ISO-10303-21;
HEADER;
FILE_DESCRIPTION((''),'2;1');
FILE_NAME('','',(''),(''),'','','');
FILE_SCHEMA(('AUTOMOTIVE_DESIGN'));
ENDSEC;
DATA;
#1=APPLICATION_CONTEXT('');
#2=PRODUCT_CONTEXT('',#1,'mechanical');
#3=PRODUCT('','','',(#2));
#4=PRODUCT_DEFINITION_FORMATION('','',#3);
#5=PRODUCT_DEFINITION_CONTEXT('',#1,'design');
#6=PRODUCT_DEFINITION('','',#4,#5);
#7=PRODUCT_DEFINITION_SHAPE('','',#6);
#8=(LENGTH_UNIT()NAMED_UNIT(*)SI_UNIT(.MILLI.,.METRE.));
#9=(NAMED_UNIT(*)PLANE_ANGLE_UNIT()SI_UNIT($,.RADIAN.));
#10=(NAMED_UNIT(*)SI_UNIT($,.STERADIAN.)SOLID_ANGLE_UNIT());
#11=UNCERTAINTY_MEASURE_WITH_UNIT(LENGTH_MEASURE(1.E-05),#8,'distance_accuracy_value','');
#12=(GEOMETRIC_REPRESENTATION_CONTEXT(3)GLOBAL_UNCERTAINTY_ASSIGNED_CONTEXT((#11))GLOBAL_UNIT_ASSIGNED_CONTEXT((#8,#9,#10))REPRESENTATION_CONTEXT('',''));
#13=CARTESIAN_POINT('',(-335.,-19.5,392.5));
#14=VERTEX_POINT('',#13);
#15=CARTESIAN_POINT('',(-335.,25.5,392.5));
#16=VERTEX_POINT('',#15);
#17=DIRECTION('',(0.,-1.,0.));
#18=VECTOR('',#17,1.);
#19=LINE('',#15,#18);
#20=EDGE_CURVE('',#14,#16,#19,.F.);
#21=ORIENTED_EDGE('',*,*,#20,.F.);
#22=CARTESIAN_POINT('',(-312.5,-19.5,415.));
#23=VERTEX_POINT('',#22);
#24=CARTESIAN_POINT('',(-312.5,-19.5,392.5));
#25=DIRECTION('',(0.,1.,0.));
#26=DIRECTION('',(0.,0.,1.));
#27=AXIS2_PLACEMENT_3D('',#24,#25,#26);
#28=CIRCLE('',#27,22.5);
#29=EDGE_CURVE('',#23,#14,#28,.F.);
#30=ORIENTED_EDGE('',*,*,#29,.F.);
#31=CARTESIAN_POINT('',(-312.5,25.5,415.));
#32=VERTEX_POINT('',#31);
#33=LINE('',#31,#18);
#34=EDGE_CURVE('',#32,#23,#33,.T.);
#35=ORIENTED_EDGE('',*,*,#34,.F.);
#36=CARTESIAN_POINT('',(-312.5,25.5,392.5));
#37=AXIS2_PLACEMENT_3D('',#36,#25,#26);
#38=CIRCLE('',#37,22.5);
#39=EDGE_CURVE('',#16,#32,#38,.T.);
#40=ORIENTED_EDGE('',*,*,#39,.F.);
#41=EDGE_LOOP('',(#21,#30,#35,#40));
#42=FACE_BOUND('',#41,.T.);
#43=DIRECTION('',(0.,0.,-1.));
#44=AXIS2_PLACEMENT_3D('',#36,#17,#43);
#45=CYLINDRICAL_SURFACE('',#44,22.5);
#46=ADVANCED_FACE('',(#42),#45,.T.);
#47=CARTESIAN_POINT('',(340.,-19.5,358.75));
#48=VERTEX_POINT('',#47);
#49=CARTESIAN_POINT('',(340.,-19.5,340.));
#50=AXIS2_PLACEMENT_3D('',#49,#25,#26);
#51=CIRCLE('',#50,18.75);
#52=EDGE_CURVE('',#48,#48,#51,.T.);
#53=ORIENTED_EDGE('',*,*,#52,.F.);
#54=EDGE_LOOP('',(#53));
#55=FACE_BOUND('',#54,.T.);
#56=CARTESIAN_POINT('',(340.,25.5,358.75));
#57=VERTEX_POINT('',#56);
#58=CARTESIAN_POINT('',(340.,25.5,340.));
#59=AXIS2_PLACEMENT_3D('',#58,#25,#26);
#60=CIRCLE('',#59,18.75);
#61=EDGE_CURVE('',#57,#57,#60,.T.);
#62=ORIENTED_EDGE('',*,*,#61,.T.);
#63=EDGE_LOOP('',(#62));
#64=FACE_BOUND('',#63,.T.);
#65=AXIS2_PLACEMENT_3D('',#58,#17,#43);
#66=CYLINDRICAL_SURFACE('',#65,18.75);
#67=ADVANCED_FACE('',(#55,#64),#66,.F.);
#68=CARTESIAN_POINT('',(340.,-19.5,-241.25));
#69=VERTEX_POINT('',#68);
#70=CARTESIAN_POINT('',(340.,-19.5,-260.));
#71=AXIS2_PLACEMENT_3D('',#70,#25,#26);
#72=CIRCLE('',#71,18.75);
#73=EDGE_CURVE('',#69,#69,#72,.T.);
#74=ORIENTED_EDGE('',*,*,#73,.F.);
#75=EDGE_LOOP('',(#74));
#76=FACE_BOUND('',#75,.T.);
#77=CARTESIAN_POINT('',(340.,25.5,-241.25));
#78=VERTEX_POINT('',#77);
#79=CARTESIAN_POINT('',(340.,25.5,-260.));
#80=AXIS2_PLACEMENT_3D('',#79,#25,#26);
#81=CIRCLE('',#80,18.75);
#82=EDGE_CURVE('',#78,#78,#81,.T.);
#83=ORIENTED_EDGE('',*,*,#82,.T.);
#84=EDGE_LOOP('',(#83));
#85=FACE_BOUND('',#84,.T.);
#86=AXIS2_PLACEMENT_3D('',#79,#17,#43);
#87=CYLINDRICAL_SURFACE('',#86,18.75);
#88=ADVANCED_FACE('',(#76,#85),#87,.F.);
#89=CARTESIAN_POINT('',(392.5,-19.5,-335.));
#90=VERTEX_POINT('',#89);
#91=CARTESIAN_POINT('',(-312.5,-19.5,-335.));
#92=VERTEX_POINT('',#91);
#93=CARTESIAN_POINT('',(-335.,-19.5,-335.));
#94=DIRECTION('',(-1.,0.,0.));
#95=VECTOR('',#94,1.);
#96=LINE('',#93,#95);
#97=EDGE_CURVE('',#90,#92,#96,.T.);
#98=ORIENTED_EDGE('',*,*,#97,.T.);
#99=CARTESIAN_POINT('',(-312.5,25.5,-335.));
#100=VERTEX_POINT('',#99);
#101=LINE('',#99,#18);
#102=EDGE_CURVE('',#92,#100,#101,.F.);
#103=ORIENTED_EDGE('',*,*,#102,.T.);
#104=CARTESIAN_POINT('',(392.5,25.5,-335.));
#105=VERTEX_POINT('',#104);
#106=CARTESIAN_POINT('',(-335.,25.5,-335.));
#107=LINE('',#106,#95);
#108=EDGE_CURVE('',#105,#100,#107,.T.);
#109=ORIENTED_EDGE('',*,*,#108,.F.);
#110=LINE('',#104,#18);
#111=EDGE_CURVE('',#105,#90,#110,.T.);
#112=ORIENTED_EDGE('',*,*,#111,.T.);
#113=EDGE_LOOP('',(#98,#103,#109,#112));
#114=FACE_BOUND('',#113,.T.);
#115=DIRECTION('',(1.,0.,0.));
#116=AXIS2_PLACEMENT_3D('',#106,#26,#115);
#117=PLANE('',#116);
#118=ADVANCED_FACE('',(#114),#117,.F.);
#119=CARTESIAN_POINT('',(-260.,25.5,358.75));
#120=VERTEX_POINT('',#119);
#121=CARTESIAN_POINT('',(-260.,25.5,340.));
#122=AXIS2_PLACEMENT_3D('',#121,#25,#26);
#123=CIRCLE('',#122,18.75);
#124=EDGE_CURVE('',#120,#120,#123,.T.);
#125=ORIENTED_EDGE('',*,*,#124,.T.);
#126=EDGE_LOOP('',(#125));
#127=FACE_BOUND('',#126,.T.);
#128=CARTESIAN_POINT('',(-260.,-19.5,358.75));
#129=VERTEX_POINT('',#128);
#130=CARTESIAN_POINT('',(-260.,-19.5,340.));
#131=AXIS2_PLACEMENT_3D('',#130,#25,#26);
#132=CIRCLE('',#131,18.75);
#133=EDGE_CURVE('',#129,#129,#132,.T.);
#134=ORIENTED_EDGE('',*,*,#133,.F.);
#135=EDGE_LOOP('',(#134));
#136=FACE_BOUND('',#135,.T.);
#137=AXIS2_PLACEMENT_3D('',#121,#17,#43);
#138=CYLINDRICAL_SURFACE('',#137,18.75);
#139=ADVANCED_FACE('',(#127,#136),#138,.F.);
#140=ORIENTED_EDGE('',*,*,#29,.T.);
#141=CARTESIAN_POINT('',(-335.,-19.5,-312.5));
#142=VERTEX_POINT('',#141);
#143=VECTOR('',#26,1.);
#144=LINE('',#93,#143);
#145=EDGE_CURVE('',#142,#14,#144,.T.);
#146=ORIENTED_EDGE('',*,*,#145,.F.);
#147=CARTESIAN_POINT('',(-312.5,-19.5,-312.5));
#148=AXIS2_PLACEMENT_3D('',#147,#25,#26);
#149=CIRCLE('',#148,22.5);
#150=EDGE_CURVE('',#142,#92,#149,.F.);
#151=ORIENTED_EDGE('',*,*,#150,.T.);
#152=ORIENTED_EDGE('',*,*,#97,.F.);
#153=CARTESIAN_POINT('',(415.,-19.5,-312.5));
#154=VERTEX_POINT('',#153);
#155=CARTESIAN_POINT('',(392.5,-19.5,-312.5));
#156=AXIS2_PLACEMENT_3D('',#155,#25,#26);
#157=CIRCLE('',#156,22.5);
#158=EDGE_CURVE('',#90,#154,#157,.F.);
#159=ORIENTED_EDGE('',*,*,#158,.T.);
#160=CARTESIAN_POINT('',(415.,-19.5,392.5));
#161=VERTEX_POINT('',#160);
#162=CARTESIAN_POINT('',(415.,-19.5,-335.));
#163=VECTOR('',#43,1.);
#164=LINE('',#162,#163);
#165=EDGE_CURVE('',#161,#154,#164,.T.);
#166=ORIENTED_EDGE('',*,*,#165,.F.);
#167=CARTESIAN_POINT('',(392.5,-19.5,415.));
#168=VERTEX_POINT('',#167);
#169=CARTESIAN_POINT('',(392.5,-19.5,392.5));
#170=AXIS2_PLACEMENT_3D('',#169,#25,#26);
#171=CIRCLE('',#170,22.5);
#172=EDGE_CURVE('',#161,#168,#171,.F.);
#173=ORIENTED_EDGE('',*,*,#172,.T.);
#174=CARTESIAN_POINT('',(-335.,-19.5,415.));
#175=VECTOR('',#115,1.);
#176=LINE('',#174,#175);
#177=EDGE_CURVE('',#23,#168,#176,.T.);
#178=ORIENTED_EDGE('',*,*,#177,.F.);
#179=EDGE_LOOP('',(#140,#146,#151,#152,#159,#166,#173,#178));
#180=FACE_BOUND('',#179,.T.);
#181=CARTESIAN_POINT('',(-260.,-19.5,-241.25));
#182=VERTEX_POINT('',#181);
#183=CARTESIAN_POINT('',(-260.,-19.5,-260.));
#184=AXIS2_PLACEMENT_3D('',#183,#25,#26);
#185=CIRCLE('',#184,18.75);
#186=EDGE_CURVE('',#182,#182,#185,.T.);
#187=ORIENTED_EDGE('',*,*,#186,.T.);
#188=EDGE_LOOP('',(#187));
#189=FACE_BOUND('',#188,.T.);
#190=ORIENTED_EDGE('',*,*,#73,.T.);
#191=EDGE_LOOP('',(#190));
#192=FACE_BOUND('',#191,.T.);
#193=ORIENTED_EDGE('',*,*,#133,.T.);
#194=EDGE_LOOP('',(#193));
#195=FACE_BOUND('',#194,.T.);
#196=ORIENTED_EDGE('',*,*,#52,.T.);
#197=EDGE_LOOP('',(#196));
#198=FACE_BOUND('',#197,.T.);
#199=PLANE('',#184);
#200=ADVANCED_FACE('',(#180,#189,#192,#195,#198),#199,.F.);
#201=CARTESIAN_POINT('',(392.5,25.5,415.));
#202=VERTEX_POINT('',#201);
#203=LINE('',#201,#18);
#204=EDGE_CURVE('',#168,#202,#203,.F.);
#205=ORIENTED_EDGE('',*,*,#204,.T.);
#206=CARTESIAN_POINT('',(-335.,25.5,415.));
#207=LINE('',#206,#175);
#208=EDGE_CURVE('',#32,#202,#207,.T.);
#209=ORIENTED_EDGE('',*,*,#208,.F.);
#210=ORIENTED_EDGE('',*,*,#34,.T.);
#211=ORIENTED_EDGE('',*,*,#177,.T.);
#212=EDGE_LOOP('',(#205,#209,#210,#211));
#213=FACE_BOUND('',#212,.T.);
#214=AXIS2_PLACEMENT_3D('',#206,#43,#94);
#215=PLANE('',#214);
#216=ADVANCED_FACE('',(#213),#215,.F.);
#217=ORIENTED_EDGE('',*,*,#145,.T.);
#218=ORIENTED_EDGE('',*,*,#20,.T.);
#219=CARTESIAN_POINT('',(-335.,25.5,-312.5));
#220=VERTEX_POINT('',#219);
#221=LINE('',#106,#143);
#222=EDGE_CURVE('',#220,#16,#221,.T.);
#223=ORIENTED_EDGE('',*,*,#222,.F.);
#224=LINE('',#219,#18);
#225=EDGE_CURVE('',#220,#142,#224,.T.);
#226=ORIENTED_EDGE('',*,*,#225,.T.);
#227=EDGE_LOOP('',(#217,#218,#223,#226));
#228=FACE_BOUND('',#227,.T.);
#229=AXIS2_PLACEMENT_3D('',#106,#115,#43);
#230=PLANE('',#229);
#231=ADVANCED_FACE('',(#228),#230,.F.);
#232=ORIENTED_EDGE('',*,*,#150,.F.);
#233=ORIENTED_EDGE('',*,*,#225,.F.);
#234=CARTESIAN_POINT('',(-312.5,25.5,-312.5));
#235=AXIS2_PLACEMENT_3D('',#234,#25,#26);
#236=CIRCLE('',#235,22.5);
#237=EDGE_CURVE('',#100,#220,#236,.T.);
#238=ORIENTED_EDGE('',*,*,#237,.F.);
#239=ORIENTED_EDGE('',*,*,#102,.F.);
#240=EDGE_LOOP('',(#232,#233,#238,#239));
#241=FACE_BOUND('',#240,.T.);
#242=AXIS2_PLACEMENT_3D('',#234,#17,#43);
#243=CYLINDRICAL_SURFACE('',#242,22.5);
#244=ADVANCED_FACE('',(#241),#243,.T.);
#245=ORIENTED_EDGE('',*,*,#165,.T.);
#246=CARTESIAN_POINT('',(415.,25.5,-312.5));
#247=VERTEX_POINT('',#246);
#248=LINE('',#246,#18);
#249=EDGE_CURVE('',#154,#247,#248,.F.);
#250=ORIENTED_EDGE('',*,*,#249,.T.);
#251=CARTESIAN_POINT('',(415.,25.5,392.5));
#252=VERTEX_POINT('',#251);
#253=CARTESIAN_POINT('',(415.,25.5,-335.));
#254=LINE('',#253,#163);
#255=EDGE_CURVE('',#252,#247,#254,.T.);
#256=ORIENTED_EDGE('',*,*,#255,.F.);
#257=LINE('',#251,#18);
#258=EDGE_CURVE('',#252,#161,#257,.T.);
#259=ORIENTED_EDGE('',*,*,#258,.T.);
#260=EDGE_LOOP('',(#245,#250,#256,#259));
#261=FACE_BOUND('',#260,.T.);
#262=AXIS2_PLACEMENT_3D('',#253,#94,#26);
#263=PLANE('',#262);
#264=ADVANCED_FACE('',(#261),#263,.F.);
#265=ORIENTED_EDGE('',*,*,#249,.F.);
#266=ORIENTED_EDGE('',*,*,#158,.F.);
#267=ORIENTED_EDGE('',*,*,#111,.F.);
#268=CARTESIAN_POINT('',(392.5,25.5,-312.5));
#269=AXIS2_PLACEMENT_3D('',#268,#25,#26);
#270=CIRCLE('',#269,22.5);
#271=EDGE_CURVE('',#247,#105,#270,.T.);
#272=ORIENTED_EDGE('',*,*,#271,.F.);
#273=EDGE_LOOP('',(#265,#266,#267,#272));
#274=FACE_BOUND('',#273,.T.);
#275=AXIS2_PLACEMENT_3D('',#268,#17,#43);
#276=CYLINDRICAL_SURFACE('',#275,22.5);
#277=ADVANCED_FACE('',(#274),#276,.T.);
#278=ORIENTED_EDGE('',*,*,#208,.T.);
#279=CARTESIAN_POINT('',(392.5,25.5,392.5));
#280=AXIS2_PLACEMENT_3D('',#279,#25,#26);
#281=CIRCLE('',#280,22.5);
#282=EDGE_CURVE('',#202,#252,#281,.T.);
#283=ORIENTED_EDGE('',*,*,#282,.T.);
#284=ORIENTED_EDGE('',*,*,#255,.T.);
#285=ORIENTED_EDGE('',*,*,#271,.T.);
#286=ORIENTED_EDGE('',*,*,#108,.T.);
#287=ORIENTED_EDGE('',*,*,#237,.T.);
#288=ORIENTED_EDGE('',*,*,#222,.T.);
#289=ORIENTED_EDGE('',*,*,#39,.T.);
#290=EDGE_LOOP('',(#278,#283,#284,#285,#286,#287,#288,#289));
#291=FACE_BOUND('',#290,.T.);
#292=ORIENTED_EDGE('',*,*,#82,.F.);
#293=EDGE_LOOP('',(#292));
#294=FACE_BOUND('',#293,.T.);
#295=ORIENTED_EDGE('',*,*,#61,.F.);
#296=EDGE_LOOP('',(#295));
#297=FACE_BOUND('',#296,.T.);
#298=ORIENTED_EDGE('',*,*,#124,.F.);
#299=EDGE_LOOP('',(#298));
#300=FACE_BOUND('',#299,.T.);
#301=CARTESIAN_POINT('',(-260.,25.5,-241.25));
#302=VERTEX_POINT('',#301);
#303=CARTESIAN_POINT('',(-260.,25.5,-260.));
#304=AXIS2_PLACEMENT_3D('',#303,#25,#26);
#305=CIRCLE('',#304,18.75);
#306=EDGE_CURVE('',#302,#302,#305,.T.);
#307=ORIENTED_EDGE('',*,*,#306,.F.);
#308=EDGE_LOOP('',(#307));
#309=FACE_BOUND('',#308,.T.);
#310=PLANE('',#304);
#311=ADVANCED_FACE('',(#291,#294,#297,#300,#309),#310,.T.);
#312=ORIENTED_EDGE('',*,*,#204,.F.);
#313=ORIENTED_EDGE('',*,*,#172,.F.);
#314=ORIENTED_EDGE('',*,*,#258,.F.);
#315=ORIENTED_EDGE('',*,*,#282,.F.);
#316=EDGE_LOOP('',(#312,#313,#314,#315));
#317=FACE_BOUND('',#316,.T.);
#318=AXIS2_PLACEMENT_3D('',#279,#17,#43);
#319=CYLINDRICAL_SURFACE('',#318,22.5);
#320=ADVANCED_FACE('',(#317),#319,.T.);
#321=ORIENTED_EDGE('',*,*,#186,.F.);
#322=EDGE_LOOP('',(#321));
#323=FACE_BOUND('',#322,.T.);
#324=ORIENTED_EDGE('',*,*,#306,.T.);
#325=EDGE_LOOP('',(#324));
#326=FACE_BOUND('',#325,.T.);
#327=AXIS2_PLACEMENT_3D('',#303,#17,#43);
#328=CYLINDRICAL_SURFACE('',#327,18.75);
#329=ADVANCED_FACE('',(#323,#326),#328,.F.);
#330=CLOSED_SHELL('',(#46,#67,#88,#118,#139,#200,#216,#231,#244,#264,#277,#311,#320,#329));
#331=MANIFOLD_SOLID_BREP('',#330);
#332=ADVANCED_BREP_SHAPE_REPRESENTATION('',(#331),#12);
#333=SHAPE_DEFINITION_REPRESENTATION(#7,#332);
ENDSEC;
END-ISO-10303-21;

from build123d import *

# Parameters (mm, degrees)
SKETCH1_W           = 100
SKETCH1_H           = 100
SKETCH1_R           = 2.5
BOSS_EXTRUDE1_DEPTH = 6
FILLET1_R           = 3
SCALE1_SCALE        = 7.5


with BuildPart() as part:
    # Sketch1 → Boss-Extrude1 (new body)
    with BuildSketch(Plane(origin=(0, 0, 0), x_dir=(1, 0, 0), z_dir=(0, 1, 0))):
        with Locations((40, -40)):
            Rectangle(SKETCH1_W, SKETCH1_H)
        Circle(SKETCH1_R, mode=Mode.SUBTRACT)
        with Locations((80, 0)):
            Circle(SKETCH1_R, mode=Mode.SUBTRACT)
        with Locations((80, -80)):
            Circle(SKETCH1_R, mode=Mode.SUBTRACT)
        with Locations((0, -80)):
            Circle(SKETCH1_R, mode=Mode.SUBTRACT)
    extrude(amount=BOSS_EXTRUDE1_DEPTH)

    # Fillet1
    fillet1_edges = [part.edges().sort_by_distance(p)[0] for p in [
        (-10, 3, -10),
        (90, 3, -10),
        (90, 3, 90),
        (-10, 3, 90),
    ]]
    fillet(fillet1_edges, radius=FILLET1_R)


with BuildPart() as part_1:
    # Scale1: scaled about (40, 3, 40)
    add(part.part.scale(SCALE1_SCALE).moved(Location((-260, -19.5, -260))))


solid = part_1.part
